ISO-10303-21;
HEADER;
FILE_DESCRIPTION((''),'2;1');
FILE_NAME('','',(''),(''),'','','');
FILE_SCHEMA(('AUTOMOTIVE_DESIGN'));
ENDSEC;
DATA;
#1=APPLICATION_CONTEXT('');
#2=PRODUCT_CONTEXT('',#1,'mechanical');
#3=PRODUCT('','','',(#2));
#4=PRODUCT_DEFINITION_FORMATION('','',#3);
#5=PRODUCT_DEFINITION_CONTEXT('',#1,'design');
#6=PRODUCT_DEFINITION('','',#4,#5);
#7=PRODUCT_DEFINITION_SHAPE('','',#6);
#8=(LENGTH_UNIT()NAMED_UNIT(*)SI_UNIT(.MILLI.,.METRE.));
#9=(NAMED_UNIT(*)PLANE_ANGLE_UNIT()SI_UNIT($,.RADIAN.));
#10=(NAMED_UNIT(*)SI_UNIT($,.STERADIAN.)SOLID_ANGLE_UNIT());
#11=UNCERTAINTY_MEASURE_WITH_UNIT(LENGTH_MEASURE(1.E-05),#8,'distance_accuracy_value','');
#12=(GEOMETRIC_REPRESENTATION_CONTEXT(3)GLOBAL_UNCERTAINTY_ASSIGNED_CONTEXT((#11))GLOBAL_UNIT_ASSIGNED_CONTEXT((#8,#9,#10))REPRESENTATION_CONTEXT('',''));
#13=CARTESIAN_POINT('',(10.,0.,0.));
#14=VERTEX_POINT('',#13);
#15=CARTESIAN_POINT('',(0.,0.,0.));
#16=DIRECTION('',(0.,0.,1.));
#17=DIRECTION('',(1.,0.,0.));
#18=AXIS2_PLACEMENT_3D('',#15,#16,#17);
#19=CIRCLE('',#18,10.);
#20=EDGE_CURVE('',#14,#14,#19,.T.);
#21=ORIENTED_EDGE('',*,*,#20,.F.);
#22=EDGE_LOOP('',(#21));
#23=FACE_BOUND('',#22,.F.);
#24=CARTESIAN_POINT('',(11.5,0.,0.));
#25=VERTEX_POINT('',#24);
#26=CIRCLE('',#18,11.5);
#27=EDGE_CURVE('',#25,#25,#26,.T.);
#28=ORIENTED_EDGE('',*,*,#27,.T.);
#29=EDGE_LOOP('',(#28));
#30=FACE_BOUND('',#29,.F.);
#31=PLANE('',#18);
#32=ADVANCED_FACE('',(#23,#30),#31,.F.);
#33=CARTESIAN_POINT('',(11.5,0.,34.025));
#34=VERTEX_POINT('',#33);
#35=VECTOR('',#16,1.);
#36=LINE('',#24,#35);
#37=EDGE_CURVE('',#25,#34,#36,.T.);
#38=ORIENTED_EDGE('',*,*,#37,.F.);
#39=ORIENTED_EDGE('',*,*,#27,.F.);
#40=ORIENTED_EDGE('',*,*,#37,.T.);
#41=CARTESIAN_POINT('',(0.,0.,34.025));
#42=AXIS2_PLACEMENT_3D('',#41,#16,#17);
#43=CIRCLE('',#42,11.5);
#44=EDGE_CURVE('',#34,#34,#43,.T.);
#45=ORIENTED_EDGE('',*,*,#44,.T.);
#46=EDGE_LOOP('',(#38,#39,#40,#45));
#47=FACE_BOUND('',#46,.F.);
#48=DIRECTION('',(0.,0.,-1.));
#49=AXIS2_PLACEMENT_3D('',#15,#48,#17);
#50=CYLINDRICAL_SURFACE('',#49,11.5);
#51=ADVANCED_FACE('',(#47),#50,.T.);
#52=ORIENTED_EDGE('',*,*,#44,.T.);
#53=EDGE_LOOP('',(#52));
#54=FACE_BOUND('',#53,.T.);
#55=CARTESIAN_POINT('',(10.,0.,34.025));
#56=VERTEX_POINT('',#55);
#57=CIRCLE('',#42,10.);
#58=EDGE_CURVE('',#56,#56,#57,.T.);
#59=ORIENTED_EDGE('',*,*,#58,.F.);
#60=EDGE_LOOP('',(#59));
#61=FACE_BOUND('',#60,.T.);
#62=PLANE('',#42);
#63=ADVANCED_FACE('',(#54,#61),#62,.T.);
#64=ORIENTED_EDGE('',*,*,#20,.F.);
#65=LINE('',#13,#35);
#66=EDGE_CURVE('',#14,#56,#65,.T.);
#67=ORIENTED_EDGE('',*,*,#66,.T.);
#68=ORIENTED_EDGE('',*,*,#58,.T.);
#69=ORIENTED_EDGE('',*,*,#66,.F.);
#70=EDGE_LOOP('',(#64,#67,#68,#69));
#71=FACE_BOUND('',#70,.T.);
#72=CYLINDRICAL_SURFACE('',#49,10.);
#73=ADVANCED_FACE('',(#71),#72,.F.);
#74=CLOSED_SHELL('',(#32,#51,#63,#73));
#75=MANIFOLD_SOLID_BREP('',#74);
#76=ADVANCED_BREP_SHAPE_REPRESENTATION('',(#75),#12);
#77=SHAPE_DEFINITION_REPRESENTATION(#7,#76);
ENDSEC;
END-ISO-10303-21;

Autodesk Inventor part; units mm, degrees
ref_plane "YZ Plane" through (0, 0, 0) normal (1, 0, 0) x (0, 1, 0)
ref_plane "XZ Plane" through (0, 0, 0) normal (0, 1, 0) x (-1, 0, 0)
ref_plane "XY Plane" through (0, 0, 0) normal (0, 0, 1) x (1, 0, 0)
sketch "Szkic2" plane through (0, 0, 0) normal (0, 0, 1) x (1, 0, 0)
  circle A0 centre (0, 0) radius 10
  circle A1 centre (0, 0) radius 11.5
  dimension "d5" = 20
  dimension "d6" = 23
extrude "Wyciągnięcie proste2" add sketch "Szkic2" along normal blind 34.025
properties part number "tuleja_dys"
